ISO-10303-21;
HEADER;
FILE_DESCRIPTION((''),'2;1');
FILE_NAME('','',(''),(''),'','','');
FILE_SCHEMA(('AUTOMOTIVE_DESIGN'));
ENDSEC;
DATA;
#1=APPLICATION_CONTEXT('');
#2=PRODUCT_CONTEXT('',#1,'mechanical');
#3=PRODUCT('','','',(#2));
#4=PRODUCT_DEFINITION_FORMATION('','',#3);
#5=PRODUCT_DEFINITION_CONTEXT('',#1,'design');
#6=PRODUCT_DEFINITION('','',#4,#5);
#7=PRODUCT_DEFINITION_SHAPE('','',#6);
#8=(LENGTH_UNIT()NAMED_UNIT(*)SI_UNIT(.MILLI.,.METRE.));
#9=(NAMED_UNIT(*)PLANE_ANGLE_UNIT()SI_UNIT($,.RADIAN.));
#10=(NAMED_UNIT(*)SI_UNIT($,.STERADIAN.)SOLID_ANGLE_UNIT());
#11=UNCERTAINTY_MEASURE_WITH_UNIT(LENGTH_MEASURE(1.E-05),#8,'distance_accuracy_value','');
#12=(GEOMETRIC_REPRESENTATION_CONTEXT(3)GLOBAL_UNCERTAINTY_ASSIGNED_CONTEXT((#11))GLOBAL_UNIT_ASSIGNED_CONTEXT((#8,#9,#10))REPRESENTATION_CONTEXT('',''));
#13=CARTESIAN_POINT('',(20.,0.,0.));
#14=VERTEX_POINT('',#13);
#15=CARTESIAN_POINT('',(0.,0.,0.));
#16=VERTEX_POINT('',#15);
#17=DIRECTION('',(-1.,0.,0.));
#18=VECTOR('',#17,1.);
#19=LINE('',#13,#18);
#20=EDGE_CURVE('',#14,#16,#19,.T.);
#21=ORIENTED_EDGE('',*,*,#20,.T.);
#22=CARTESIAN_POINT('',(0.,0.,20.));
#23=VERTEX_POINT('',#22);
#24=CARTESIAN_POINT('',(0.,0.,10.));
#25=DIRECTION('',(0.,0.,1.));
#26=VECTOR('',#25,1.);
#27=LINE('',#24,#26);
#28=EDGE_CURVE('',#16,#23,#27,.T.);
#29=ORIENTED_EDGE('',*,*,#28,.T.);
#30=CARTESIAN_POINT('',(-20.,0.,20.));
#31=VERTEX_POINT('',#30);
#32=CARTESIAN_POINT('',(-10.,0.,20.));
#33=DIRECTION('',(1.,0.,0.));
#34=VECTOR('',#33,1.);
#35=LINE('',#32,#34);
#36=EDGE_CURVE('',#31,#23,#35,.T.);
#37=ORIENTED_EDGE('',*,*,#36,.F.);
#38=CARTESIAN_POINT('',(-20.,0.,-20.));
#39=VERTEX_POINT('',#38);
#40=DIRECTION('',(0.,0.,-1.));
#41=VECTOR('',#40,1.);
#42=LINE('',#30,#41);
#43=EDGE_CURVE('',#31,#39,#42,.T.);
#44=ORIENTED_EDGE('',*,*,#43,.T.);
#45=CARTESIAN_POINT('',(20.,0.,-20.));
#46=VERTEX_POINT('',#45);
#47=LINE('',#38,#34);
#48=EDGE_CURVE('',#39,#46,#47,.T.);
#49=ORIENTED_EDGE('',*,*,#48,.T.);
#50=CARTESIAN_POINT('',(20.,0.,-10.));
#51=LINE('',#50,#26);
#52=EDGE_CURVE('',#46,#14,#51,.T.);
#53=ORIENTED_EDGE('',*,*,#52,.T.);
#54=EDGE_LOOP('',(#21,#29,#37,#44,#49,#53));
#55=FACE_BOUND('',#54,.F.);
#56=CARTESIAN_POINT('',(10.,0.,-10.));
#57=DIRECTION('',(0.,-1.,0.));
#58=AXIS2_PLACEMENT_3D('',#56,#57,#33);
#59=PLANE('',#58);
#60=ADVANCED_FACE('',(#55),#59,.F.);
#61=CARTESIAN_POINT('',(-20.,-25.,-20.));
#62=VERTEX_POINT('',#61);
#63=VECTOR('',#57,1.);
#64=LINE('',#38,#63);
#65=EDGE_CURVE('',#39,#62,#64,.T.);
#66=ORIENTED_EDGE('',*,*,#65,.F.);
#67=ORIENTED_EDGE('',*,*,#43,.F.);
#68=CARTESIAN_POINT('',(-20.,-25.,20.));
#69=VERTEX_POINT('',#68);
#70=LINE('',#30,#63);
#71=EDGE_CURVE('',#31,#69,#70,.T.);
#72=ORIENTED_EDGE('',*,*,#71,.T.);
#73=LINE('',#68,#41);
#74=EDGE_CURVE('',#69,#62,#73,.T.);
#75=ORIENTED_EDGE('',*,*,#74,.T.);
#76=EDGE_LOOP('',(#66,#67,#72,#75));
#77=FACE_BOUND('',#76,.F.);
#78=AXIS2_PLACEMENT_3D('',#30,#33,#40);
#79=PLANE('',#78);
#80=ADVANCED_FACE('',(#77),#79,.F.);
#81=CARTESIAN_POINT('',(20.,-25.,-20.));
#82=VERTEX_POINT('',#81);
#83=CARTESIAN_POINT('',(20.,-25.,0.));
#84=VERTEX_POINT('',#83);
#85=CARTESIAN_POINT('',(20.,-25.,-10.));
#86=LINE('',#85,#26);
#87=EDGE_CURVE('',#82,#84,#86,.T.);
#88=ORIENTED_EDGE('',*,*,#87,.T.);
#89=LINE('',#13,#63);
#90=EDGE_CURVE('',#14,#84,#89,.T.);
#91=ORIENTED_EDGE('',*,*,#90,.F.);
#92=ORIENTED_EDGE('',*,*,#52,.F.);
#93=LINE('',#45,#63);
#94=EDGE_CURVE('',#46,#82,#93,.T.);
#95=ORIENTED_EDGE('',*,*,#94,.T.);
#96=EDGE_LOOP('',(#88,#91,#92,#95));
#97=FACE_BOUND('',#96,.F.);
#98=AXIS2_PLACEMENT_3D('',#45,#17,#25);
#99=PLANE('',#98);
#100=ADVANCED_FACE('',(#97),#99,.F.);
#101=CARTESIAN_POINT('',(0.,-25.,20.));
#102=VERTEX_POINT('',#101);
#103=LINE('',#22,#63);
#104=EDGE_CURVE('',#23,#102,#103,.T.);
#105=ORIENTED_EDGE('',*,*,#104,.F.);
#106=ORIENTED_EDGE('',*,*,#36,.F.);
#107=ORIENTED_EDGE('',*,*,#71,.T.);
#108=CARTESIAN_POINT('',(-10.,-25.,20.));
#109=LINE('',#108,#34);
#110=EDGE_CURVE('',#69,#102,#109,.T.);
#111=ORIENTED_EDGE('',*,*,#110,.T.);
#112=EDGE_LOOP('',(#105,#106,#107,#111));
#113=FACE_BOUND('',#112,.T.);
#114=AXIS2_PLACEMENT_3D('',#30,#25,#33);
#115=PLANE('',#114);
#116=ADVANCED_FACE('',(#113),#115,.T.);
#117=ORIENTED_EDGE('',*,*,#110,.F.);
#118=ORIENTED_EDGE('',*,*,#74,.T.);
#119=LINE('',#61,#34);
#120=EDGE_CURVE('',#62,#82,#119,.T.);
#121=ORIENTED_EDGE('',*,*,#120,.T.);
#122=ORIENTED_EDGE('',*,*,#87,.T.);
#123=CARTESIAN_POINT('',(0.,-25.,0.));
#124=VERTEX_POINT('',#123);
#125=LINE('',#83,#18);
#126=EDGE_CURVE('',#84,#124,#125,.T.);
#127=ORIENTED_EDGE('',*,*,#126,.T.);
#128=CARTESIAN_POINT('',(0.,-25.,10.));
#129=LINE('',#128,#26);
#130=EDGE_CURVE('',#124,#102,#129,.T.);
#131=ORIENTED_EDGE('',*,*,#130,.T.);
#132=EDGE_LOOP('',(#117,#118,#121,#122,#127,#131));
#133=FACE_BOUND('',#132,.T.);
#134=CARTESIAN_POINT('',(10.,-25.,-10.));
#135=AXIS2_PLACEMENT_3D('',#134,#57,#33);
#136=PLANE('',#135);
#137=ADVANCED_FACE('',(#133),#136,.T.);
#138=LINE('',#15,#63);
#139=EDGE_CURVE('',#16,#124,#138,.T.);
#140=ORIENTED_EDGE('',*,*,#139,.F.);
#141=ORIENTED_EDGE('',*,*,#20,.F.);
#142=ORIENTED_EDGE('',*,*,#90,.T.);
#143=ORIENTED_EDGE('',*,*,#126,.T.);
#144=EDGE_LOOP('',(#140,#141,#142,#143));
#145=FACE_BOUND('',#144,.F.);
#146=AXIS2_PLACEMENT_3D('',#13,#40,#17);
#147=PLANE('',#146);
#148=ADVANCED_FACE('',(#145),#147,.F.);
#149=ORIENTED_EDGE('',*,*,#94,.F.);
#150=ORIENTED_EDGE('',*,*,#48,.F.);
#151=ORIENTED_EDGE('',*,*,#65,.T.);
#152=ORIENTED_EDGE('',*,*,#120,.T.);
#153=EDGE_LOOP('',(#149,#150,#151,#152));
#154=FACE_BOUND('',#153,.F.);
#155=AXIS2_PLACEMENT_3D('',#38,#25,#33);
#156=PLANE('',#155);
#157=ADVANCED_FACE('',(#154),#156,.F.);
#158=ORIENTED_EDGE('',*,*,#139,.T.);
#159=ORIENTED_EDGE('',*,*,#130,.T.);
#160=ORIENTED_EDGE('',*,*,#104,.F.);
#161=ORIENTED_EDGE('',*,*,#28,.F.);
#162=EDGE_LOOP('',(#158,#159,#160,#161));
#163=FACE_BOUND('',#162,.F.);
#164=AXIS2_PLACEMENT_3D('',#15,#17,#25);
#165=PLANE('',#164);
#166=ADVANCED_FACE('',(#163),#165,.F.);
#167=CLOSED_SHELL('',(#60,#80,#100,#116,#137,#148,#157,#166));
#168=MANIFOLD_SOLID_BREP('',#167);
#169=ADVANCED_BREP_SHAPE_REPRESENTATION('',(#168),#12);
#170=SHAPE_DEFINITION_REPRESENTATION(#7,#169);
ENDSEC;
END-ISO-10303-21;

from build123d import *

# Parameters (mm, degrees)
F0_W     = 20
F0_H     = 20
F1_DEPTH = 25


with BuildPart() as f1:
    # F0 (on Front) → F1 (new body)
    with BuildSketch(Plane.XZ):
        with Locations((10, -10)):
            Rectangle(F0_W, F0_H)
        with Locations((-10, -10)):
            Rectangle(F0_W, F0_H)
        with Locations((-10, 10)):
            Rectangle(F0_W, F0_H)
    extrude(amount=F1_DEPTH)


solid = f1.part
